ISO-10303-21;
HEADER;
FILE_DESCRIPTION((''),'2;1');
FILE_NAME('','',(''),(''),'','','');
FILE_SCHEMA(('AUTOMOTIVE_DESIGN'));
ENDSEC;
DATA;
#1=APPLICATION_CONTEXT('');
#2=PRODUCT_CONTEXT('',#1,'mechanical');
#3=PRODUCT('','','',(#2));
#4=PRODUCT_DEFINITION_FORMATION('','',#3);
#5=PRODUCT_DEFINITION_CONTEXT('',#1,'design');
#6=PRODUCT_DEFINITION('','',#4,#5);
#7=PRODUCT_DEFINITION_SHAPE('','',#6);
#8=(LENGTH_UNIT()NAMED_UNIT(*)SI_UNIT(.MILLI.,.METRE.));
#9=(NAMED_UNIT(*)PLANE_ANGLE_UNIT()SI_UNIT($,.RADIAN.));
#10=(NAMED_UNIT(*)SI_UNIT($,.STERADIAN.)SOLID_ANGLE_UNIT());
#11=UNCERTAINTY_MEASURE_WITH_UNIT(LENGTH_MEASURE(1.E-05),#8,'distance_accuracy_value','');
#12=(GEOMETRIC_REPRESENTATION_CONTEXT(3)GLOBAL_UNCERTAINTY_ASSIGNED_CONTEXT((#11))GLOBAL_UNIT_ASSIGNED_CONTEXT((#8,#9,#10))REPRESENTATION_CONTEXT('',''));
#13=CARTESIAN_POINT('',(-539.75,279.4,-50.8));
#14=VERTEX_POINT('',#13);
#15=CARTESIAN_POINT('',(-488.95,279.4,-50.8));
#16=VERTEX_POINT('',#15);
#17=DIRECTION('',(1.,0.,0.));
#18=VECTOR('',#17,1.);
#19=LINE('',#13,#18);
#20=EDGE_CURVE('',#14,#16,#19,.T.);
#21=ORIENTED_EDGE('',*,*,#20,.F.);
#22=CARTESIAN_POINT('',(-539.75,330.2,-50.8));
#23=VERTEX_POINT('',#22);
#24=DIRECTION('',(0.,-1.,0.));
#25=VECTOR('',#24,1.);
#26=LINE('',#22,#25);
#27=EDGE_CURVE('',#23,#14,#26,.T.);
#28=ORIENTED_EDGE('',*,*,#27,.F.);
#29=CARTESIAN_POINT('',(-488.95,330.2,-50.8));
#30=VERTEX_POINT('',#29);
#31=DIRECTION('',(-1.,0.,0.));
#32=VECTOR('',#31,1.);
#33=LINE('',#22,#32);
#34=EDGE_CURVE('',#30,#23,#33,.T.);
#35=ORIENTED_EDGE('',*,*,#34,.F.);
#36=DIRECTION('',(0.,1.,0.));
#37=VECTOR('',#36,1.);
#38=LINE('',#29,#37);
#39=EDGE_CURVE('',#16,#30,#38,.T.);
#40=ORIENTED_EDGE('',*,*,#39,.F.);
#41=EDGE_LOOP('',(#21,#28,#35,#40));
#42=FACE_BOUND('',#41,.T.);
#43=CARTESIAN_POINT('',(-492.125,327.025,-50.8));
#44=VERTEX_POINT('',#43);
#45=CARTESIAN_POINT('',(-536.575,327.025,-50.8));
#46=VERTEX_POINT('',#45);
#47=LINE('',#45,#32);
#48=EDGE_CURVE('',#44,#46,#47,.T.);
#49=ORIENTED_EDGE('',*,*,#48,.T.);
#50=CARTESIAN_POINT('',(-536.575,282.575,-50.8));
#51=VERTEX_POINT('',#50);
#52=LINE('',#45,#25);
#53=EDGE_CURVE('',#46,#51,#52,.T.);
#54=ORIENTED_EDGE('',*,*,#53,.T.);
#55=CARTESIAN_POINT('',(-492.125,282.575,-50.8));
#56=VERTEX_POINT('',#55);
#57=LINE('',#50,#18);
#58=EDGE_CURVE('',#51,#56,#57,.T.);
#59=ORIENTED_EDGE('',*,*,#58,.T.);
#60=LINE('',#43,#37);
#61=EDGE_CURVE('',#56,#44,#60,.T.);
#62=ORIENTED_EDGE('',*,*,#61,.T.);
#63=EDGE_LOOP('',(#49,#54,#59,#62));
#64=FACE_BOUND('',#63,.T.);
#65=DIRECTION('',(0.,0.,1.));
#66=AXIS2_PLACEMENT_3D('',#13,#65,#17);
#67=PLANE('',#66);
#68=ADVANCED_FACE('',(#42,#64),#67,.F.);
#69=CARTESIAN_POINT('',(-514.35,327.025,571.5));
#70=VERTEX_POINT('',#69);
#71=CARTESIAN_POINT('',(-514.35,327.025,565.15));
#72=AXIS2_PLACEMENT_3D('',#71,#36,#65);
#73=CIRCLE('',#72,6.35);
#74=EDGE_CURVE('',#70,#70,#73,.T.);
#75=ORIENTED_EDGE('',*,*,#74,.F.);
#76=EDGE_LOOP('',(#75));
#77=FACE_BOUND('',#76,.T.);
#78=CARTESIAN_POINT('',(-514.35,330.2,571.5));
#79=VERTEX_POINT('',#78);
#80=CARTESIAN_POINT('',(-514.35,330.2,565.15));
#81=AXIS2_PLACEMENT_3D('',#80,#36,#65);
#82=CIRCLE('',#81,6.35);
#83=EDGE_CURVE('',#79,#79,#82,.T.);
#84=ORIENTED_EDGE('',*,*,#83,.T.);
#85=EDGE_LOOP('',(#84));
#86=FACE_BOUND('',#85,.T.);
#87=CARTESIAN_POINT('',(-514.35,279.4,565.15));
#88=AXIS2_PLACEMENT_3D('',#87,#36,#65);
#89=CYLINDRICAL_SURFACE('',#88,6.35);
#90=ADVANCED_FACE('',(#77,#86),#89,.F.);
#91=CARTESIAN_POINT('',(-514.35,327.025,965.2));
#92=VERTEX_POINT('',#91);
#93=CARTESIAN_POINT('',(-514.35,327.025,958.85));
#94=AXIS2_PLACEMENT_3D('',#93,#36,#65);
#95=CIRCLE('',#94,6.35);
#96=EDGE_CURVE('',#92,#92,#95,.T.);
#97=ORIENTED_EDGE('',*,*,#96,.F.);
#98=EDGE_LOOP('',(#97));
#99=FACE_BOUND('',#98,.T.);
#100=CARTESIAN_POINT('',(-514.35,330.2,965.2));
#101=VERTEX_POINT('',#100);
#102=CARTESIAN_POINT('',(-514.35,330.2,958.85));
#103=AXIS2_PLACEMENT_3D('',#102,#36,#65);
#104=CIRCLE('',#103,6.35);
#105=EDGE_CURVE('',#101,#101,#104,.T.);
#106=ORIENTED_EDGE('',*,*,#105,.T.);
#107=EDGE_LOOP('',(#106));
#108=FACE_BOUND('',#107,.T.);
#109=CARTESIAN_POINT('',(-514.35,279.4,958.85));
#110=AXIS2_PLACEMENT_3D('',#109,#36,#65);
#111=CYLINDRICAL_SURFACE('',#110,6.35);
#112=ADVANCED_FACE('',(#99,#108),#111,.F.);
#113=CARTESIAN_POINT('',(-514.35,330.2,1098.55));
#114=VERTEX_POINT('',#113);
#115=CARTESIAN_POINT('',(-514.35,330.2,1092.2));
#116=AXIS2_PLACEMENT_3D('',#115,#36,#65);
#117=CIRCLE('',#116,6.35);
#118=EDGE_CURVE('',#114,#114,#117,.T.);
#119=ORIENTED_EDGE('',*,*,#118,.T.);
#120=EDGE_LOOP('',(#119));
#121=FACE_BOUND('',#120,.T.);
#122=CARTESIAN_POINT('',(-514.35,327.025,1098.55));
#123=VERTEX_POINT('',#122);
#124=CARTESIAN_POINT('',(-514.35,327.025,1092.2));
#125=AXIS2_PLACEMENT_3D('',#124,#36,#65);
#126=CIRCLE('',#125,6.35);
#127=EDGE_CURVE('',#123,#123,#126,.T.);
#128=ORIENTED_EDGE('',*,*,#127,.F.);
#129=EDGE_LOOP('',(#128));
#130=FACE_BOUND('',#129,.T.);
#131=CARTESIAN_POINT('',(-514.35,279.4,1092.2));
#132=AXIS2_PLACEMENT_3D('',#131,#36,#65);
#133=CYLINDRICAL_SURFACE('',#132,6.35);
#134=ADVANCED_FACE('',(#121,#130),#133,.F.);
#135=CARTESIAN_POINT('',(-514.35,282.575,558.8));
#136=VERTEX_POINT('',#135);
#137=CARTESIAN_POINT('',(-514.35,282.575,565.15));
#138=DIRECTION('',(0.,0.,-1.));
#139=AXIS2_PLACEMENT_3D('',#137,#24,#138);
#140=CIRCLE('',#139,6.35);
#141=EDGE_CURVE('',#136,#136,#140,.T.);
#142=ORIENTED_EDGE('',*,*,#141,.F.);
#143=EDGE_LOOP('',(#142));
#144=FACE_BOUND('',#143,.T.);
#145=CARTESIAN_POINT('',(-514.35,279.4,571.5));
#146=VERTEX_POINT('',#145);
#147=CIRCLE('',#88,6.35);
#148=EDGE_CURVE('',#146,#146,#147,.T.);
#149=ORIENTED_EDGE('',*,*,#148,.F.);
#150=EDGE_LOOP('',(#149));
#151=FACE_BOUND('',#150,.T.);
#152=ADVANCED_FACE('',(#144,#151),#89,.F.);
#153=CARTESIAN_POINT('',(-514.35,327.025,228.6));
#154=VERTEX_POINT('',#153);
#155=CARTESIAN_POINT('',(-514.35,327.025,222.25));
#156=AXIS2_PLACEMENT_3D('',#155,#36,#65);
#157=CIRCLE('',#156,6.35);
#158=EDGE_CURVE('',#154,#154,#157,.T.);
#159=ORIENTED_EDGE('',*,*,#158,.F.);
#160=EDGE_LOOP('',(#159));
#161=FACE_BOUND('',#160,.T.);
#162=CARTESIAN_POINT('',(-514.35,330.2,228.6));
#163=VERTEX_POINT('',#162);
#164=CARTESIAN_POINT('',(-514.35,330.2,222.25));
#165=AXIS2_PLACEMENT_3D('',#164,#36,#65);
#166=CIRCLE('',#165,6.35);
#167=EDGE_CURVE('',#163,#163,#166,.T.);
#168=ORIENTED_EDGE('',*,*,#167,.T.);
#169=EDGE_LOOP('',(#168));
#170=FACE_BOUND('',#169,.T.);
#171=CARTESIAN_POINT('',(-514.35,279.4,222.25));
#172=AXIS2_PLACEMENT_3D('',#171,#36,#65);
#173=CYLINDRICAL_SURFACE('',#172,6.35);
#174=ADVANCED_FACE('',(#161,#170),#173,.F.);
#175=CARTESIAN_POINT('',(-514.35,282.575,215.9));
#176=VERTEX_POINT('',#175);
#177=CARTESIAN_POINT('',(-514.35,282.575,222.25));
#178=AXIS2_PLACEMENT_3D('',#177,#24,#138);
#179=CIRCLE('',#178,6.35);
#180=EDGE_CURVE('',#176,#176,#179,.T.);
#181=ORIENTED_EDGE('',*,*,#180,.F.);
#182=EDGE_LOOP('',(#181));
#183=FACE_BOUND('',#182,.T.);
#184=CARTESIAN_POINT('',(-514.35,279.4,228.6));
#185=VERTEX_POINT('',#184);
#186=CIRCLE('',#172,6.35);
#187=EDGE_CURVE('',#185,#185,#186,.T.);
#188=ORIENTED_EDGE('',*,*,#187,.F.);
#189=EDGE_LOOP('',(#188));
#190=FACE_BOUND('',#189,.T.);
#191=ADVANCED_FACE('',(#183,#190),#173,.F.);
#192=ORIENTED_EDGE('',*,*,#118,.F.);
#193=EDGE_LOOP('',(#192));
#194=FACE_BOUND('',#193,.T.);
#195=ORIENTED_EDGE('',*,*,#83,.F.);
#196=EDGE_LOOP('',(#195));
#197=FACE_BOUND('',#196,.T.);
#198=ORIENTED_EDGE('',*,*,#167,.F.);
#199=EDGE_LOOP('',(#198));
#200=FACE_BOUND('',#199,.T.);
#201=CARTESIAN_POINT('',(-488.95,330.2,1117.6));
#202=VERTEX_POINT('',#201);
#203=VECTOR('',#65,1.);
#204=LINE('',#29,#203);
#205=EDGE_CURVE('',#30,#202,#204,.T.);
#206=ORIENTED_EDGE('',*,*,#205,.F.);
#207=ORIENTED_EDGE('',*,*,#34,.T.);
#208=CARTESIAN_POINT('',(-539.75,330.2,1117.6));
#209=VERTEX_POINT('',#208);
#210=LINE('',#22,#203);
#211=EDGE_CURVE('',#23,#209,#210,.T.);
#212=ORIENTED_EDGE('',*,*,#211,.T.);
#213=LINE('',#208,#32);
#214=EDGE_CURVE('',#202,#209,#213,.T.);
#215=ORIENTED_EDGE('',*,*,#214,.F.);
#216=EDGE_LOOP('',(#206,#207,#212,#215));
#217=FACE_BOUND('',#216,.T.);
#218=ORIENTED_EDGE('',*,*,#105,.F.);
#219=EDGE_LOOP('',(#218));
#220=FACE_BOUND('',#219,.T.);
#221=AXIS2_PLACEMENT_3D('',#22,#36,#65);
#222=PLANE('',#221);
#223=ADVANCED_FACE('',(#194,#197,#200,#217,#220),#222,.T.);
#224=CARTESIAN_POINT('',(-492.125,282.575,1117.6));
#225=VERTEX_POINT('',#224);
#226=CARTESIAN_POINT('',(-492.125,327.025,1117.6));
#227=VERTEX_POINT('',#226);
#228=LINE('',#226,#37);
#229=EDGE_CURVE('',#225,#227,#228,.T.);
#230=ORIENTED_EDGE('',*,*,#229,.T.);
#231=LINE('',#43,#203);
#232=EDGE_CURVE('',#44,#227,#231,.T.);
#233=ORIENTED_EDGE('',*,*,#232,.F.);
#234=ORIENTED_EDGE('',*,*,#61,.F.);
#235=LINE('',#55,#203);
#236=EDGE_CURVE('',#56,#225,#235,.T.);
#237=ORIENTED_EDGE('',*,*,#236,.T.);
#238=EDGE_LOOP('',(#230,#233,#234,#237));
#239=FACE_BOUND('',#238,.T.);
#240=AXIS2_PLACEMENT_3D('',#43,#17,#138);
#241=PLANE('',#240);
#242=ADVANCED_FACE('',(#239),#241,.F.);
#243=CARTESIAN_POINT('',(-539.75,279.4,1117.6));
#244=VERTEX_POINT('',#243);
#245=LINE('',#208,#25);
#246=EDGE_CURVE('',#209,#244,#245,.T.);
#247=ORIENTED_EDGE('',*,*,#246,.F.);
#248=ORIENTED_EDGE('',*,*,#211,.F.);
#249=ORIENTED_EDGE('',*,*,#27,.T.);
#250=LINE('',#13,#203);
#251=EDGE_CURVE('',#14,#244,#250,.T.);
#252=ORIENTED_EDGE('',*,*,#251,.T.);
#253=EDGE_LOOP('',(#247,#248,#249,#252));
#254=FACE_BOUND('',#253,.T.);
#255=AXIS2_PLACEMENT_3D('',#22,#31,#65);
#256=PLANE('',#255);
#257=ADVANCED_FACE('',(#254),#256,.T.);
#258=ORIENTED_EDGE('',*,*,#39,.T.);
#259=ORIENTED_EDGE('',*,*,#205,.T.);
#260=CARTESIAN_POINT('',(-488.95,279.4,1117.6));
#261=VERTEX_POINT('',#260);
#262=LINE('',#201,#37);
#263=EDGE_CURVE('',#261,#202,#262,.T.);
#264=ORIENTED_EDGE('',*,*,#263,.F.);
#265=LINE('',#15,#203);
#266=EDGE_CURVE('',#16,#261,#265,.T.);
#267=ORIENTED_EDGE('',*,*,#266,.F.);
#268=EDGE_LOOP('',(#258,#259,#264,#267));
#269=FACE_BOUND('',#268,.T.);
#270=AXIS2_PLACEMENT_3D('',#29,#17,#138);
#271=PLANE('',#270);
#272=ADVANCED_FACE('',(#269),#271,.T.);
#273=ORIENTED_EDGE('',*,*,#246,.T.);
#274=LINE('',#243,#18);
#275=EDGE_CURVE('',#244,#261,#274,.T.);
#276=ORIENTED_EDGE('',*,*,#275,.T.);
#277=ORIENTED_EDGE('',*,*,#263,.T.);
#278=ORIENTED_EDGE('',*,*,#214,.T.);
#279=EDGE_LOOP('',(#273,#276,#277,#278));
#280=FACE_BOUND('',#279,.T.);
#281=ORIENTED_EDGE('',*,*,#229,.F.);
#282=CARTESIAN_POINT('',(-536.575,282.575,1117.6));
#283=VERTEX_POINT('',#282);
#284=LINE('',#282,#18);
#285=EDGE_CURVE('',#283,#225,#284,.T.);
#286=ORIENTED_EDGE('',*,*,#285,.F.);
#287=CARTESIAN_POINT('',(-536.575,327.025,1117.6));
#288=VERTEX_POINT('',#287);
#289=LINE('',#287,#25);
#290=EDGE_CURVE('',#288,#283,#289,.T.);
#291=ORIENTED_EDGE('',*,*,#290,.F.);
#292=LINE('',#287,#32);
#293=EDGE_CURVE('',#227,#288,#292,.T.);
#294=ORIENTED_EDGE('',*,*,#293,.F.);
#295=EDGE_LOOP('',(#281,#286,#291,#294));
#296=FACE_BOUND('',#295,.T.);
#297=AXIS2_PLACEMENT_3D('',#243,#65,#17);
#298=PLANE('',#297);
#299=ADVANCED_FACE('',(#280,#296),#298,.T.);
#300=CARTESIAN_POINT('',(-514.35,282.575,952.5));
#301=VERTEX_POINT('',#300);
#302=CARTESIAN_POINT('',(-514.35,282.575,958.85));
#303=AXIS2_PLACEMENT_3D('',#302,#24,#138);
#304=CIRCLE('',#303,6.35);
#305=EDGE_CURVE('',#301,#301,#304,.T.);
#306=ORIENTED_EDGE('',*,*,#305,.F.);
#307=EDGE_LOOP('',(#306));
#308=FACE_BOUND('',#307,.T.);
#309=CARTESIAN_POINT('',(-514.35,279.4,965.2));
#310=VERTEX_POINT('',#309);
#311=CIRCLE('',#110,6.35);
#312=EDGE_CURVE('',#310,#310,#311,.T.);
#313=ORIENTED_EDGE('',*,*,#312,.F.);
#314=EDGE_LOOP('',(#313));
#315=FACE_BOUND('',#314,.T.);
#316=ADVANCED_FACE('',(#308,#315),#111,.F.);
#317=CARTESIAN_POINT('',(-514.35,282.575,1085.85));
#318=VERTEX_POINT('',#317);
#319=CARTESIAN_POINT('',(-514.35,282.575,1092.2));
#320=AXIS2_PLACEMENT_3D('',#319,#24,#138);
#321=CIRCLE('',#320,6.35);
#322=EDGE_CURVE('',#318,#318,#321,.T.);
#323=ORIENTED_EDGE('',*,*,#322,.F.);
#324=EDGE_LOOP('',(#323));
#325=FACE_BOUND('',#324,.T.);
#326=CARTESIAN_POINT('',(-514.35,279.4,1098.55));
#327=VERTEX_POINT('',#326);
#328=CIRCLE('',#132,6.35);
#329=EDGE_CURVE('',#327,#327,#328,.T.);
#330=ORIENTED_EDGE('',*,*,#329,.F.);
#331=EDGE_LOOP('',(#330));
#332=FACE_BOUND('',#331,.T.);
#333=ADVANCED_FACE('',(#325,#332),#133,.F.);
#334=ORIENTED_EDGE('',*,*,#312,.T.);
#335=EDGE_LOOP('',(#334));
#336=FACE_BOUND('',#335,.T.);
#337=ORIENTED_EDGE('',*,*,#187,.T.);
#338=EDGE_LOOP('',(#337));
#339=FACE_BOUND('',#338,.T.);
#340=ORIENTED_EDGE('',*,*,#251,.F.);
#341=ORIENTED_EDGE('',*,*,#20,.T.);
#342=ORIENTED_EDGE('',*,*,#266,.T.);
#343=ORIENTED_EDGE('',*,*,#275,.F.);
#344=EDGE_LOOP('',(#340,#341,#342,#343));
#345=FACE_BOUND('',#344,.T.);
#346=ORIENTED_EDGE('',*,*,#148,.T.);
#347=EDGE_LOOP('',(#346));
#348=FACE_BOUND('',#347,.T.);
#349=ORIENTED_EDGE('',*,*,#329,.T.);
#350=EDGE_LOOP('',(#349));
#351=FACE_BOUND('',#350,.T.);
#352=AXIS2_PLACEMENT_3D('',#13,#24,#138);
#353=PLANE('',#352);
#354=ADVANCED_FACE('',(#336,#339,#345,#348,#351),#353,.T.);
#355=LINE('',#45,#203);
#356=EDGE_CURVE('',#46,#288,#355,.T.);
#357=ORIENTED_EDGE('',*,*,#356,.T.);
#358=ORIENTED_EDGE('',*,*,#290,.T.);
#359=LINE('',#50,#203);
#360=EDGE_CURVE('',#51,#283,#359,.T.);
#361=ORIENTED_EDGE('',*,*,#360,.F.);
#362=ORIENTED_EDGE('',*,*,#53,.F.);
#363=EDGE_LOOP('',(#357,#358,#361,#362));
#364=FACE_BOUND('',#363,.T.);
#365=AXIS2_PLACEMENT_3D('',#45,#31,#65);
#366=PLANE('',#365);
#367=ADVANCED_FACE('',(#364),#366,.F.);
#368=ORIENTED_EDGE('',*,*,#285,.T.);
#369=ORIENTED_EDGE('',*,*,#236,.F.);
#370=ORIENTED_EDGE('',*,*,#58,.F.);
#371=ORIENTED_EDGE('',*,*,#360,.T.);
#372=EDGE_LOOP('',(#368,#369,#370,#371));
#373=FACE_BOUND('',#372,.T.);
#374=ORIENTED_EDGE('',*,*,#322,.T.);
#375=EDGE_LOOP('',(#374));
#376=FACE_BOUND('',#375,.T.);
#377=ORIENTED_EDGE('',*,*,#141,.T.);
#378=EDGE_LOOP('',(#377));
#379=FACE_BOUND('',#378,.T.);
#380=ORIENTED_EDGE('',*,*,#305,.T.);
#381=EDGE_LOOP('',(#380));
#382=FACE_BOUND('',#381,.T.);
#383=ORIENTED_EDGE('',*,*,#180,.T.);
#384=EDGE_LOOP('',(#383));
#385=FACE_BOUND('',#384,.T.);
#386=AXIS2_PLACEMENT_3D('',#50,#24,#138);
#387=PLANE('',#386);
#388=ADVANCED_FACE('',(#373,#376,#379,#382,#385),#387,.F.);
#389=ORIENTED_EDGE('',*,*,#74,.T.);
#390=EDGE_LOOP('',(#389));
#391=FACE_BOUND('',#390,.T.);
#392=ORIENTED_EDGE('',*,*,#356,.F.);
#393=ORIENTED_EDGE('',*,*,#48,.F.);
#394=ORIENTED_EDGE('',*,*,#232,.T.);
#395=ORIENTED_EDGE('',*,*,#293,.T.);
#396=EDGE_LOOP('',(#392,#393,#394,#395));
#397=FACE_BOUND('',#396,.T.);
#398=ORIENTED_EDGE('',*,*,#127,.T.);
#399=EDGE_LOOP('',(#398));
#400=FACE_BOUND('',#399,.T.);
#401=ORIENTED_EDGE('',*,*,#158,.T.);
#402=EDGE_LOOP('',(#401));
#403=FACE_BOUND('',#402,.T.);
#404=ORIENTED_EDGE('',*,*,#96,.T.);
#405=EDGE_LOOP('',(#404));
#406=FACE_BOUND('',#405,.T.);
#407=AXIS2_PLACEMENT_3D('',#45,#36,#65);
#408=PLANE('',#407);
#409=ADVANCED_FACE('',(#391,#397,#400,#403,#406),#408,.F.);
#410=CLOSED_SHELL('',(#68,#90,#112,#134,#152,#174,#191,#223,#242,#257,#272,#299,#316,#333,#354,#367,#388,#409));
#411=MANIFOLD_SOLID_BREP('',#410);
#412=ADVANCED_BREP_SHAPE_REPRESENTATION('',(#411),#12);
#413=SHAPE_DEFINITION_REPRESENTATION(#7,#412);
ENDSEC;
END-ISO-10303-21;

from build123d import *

# Parameters (mm, degrees)
SKETCH1_W           = 50.8
SKETCH1_H           = 50.8
SKETCH1_W_2         = 44.45
SKETCH1_H_2         = 44.45
EXTRUDE1_DEPTH      = 1117.6
EXTRUDE1_DEPTH_BACK = 50.8
SKETCH3_R           = 6.35
CUT_EXTRUDE2_DEPTH  = 51.8


with BuildPart() as part:
    # Sketch1 → Extrude1 (new body, two sides)
    with BuildSketch(Plane.XY) as extrude1_sk:
        with Locations((-514.35, 304.8)):
            Rectangle(SKETCH1_W, SKETCH1_H)
        with Locations((-514.35, 304.8)):
            Rectangle(SKETCH1_W_2, SKETCH1_H_2, mode=Mode.SUBTRACT)
    extrude(amount=EXTRUDE1_DEPTH)
    extrude(extrude1_sk.sketch, amount=-EXTRUDE1_DEPTH_BACK)

    # Sketch3 → Cut-Extrude2 (cut, through all)
    with BuildSketch(Plane(origin=(0, 330.2, 0), x_dir=(1, 0, 0), z_dir=(0, 1, 0))):
        with Locations((-514.35, -1092.2)):
            Circle(SKETCH3_R)
        with Locations((-514.35, -958.85)):
            Circle(SKETCH3_R)
        with Locations((-514.35, -565.15)):
            Circle(SKETCH3_R)
        with Locations((-514.35, -222.25)):
            Circle(SKETCH3_R)
    extrude(amount=-CUT_EXTRUDE2_DEPTH, mode=Mode.SUBTRACT)


solid = part.part
